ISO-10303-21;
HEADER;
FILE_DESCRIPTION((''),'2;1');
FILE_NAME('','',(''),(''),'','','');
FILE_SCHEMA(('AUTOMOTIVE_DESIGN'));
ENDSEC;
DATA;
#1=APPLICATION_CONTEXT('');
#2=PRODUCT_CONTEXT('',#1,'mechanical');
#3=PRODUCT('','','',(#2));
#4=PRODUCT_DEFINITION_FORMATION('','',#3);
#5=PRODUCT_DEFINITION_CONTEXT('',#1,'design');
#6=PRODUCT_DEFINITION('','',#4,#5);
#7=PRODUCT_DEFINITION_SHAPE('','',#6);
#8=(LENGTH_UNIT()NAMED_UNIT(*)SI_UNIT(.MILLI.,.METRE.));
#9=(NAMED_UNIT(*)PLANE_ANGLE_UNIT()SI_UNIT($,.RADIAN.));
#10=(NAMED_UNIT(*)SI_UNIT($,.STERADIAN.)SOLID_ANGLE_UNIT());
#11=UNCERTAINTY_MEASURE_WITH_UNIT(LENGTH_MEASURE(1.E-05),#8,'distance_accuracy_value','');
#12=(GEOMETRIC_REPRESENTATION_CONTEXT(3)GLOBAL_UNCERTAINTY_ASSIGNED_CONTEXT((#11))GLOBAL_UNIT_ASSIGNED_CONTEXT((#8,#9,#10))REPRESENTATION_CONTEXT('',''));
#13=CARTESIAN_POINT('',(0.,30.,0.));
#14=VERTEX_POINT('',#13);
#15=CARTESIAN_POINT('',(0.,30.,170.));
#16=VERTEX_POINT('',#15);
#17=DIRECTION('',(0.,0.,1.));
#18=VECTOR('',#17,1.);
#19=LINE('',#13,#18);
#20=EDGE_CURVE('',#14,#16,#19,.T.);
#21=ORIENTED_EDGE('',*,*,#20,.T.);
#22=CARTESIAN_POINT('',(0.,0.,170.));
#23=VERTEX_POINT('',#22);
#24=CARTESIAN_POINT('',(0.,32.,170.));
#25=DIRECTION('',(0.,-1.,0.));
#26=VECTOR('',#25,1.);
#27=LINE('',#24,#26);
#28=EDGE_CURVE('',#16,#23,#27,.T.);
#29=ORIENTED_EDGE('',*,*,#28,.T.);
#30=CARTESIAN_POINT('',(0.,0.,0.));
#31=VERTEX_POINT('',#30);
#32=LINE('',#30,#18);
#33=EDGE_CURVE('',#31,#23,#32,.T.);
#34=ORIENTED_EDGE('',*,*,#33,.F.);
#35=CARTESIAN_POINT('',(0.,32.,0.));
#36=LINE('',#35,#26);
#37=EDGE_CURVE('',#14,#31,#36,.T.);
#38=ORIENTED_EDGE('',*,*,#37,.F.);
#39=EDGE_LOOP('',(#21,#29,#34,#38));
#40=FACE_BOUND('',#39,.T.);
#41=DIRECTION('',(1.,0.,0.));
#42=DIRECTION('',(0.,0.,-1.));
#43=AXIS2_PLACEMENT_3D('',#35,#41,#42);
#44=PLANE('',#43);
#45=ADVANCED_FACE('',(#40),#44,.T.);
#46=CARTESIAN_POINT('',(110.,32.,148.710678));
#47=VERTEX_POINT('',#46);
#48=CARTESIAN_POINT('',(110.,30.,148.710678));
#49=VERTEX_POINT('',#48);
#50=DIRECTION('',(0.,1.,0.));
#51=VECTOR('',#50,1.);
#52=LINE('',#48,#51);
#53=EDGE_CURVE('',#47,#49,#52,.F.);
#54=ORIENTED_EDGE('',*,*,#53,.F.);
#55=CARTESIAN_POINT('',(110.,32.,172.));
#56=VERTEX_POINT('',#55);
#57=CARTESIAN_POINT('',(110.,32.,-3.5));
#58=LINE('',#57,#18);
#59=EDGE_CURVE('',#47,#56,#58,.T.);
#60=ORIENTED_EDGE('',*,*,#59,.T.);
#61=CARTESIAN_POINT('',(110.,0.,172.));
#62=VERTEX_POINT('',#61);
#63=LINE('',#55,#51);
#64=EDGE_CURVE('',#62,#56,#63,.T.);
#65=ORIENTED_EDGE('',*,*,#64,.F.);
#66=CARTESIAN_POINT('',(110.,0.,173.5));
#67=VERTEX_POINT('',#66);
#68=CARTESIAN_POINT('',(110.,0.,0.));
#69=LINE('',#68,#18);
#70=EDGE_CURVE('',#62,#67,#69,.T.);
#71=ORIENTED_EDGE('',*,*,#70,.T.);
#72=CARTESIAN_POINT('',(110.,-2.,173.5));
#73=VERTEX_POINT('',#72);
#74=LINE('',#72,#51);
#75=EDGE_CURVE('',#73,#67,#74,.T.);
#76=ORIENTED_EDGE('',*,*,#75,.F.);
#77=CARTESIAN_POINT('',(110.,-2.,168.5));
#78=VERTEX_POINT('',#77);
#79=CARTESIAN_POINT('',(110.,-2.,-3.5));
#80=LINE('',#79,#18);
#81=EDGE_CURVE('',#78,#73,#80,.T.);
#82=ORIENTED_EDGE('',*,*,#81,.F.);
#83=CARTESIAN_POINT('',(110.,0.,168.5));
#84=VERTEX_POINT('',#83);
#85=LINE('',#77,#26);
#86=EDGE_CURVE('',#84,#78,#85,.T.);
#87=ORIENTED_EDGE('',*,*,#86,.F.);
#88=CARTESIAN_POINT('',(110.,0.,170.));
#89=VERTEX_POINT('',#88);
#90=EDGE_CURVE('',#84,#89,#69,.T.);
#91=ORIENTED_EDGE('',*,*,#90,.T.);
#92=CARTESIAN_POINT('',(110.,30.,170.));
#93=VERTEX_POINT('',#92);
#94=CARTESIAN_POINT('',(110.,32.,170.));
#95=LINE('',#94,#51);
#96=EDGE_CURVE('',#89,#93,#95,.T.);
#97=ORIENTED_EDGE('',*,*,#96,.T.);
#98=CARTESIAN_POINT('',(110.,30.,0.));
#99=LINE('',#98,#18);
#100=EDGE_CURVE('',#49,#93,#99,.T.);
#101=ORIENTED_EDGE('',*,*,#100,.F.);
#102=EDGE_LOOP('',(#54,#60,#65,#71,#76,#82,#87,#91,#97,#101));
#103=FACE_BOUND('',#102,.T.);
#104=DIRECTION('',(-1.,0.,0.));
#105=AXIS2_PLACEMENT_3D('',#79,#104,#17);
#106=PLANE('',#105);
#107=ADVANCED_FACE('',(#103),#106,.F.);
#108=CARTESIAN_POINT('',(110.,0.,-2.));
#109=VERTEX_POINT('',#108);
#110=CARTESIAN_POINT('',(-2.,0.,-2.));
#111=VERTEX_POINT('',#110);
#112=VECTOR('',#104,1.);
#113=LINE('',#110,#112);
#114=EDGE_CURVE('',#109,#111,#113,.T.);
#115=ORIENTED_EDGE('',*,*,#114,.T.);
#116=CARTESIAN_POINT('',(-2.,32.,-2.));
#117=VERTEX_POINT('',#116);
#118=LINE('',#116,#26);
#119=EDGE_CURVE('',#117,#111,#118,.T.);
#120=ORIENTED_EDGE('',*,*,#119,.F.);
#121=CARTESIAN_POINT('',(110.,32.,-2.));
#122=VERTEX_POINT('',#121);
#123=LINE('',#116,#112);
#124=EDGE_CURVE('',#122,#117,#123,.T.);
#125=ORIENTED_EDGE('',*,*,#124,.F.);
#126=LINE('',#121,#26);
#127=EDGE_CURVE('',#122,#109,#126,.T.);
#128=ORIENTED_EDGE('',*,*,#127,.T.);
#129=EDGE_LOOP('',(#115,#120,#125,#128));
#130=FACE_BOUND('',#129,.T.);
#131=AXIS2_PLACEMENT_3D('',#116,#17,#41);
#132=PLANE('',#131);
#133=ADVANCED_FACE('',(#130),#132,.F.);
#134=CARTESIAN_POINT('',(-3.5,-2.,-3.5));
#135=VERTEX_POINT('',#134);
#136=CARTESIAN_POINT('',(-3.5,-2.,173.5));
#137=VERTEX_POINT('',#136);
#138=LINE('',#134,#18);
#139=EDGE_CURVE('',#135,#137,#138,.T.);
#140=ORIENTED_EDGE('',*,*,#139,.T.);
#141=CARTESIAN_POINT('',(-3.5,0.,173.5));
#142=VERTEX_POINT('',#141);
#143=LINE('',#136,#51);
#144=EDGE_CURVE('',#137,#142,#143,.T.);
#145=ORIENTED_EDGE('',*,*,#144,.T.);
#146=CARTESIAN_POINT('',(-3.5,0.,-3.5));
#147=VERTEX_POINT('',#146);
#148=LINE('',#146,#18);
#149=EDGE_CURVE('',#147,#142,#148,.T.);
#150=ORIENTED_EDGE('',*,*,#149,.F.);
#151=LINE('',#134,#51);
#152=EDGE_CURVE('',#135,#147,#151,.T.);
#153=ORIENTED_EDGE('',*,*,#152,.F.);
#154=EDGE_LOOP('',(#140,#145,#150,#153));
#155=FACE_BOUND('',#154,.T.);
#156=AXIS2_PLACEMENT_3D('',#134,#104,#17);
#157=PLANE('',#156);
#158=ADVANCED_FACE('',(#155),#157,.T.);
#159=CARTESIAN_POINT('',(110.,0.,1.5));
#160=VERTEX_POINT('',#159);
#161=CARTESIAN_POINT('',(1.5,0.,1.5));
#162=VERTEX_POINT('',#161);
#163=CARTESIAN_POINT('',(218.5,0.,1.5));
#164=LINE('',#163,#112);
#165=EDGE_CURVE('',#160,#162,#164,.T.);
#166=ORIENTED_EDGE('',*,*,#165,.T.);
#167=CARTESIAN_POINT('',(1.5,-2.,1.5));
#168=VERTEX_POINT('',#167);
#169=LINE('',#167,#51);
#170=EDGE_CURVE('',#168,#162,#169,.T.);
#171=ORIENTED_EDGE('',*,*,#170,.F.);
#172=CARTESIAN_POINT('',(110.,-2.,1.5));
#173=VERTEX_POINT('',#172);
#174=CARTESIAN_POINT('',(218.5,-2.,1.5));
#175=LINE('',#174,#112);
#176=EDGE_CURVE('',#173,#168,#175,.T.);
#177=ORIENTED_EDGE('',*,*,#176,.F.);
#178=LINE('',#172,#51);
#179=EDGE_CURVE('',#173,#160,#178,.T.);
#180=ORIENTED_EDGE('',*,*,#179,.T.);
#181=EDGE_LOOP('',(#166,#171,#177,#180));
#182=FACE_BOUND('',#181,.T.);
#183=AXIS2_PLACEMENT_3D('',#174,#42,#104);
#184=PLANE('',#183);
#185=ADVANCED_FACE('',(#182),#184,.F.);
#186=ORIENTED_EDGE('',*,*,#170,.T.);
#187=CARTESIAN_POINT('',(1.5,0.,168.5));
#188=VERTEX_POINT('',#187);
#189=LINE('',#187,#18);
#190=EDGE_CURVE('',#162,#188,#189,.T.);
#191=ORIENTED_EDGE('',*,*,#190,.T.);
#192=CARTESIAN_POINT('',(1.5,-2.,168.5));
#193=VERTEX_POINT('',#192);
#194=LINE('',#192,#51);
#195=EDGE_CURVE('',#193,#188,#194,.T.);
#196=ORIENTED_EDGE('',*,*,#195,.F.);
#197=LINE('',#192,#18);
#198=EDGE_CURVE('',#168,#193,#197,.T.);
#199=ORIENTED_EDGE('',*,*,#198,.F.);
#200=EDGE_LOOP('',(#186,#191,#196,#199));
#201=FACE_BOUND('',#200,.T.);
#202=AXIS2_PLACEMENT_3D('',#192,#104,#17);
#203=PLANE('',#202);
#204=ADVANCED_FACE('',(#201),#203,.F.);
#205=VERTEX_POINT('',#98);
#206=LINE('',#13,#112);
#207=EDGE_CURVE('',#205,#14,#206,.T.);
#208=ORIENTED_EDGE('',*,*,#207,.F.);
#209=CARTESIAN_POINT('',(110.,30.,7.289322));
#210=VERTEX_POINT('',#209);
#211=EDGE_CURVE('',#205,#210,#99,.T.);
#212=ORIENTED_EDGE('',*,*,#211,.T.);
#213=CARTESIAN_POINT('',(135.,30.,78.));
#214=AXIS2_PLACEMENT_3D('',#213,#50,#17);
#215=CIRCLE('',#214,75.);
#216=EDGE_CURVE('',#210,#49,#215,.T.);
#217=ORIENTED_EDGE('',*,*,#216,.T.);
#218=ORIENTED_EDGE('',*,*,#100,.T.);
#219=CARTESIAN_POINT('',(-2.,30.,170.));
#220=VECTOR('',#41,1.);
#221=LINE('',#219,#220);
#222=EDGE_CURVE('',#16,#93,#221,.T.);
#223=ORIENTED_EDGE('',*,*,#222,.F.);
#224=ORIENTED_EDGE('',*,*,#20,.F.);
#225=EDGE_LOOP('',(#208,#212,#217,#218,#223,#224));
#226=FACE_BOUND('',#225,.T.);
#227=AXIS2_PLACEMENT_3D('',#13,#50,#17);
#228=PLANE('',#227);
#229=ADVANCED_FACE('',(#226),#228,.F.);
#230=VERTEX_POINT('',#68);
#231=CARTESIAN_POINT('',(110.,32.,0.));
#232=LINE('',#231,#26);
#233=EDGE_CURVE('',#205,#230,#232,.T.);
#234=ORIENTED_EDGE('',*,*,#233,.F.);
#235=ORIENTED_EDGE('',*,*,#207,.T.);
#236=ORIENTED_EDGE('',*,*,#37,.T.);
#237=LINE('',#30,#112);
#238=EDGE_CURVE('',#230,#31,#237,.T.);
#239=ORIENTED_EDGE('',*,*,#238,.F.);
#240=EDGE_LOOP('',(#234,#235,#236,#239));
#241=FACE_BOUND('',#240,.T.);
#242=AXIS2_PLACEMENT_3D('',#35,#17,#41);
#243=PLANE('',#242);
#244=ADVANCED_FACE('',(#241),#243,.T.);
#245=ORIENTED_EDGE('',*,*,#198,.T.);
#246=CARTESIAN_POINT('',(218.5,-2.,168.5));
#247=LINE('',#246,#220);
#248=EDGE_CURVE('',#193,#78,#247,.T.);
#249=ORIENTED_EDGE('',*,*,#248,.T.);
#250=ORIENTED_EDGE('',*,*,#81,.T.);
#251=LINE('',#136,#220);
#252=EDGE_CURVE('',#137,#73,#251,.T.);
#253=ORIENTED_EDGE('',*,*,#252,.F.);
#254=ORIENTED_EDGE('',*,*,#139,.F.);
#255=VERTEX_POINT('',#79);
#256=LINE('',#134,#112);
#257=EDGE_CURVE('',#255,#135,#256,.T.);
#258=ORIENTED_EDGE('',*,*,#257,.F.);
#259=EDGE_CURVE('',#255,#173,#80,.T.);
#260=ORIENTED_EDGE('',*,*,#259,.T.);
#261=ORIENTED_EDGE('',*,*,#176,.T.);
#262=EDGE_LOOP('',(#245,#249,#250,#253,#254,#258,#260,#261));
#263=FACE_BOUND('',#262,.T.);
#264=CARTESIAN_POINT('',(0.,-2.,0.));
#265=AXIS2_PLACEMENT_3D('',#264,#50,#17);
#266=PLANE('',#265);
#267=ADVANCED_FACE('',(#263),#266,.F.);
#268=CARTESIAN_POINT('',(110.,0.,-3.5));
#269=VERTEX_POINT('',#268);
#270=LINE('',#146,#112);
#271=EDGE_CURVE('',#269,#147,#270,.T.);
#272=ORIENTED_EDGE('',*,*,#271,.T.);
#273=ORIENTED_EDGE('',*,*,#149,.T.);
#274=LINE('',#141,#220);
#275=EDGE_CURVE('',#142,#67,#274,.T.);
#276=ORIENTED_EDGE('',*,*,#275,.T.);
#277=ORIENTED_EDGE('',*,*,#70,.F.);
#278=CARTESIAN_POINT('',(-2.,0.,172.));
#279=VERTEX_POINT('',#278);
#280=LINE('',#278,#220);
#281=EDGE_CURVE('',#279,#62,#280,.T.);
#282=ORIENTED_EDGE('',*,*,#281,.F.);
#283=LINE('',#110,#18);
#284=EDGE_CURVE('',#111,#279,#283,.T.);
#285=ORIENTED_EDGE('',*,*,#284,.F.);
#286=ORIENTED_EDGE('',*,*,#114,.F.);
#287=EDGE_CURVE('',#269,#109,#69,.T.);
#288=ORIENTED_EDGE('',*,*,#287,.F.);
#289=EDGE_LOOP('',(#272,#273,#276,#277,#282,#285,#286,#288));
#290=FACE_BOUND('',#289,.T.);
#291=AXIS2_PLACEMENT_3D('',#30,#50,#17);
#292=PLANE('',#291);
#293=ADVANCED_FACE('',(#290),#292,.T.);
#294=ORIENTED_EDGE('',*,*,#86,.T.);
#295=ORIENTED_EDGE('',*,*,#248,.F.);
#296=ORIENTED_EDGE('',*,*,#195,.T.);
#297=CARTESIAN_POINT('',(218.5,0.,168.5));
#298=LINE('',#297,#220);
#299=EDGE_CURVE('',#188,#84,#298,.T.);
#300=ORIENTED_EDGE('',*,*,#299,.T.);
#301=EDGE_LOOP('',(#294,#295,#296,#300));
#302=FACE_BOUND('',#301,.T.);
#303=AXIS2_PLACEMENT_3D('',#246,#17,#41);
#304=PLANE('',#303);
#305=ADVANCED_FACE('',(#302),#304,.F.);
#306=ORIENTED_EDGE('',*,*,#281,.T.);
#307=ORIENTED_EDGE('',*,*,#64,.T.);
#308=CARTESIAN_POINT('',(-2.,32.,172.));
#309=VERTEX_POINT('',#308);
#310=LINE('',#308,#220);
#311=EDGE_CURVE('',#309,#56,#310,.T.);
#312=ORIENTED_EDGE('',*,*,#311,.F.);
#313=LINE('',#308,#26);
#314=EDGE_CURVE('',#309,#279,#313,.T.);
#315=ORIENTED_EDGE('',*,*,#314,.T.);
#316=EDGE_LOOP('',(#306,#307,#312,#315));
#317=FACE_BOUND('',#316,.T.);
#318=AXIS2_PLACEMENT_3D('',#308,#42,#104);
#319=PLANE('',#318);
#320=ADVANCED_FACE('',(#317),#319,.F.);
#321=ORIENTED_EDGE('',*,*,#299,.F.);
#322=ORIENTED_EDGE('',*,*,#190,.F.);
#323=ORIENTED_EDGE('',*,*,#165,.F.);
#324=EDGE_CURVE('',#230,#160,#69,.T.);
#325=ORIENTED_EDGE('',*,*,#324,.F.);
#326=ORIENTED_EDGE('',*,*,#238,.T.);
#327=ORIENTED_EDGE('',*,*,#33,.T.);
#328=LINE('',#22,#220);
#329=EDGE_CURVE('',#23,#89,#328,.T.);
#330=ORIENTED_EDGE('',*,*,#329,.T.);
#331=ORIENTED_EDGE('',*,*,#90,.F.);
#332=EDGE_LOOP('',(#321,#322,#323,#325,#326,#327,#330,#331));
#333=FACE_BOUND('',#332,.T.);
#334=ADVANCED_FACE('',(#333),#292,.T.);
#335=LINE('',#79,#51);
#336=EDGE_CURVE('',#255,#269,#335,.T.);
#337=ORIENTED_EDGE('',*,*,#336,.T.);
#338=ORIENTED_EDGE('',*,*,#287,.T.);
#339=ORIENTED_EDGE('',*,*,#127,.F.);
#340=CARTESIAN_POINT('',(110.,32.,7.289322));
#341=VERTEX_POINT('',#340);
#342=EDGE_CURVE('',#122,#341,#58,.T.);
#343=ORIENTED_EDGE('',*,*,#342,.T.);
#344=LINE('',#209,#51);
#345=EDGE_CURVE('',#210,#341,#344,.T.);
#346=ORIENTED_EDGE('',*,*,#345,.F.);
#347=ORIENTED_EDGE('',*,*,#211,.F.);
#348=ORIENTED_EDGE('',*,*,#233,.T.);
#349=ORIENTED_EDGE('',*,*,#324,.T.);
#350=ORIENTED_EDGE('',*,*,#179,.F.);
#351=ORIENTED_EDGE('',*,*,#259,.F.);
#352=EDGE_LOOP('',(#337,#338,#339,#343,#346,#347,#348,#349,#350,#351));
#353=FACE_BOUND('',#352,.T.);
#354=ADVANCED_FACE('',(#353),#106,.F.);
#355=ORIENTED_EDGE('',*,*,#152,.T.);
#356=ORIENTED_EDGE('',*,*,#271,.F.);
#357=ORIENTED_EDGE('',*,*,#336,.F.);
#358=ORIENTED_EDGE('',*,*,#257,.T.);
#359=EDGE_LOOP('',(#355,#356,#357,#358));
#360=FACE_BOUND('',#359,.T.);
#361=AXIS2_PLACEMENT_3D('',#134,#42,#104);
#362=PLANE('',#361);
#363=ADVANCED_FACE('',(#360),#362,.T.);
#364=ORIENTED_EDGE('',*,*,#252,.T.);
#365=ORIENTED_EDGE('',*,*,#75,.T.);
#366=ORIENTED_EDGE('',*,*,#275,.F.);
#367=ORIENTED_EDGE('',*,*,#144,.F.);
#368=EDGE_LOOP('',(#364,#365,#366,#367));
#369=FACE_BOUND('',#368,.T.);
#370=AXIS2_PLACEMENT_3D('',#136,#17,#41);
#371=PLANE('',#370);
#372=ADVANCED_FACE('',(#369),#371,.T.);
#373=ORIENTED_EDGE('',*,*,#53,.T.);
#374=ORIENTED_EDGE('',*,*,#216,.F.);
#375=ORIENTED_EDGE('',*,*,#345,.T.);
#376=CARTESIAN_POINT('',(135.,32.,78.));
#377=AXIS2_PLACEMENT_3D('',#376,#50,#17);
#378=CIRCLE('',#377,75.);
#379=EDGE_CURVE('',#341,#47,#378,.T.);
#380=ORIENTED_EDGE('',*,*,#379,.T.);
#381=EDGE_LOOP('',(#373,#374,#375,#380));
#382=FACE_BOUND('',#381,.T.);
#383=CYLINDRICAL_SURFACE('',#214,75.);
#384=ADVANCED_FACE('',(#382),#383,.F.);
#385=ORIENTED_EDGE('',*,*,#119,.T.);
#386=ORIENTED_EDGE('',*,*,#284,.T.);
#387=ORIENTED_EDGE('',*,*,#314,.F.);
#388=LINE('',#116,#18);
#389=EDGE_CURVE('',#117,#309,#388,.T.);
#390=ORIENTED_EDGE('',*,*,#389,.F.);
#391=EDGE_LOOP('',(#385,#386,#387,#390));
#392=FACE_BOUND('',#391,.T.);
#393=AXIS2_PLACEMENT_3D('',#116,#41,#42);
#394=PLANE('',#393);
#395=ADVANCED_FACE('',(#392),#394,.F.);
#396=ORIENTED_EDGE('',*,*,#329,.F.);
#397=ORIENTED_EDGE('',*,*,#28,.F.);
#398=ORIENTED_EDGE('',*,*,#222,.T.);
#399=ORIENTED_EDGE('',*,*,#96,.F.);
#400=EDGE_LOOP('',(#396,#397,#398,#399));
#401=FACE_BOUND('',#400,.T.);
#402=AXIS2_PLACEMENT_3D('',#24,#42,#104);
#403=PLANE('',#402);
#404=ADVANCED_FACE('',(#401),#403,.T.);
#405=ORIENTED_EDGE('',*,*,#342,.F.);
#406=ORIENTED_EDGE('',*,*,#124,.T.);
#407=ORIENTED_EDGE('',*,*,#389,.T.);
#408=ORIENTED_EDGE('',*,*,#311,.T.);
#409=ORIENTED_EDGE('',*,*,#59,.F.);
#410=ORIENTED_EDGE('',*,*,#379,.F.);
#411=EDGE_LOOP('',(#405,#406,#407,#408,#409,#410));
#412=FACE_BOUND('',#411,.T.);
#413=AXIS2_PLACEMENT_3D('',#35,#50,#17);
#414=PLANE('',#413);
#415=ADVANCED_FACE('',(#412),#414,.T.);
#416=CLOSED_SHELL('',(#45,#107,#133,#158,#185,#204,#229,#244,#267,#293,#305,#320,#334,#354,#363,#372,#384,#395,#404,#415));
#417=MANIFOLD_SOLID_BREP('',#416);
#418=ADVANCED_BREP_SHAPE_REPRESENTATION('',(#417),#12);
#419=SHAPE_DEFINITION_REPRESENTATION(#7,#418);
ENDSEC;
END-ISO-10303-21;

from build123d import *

# Parameters (mm, degrees)
SKETCH_1_W          = 224
SKETCH_1_H          = 174
SKETCH_1_W_2        = 220
SKETCH_1_H_2        = 170
EXTRUDE_1_DEPTH     = 32
SKETCH_2_W          = 227
SKETCH_2_H          = 177
SKETCH_2_W_2        = 217
SKETCH_2_H_2        = 167
EXTRUDE_2_DEPTH     = 2
SKETCH_3_W          = 222
SKETCH_3_H          = 172
SKETCH_3_R          = 75
EXTRUDE_3_DEPTH     = 2
SKETCH_4_W          = 113.5
SKETCH_4_H          = 177
CUT_EXTRUDE_1_DEPTH = 285.974560268


with BuildPart() as part:
    # 草图1 → 凸台-拉伸1 (new body)
    with BuildSketch(Plane(origin=(0, 0, 0), x_dir=(1, 0, 0), z_dir=(0, 1, 0))):
        with Locations((110, -85)):
            Rectangle(SKETCH_1_W, SKETCH_1_H)
        with Locations((110, -85)):
            Rectangle(SKETCH_1_W_2, SKETCH_1_H_2, mode=Mode.SUBTRACT)
    extrude(amount=EXTRUDE_1_DEPTH)

    # 草图2 → 凸台-拉伸2 (add)
    with BuildSketch(Plane(origin=(0, 0, 0), x_dir=(1, 0, 0), z_dir=(0, 1, 0))):
        with Locations((110, -85)):
            Rectangle(SKETCH_2_W, SKETCH_2_H)
        with Locations((110, -85)):
            Rectangle(SKETCH_2_W_2, SKETCH_2_H_2, mode=Mode.SUBTRACT)
    extrude(amount=-EXTRUDE_2_DEPTH)

    # 草图3 → 凸台-拉伸3 (add)
    with BuildSketch(Plane(origin=(0, 32, 0), x_dir=(1, 0, 0), z_dir=(0, 1, 0))):
        with Locations((109, -84)):
            Rectangle(SKETCH_3_W, SKETCH_3_H)
        with Locations(Location((135, -78, 0), (0, 0, 270))):
            Circle(SKETCH_3_R, mode=Mode.SUBTRACT)
    extrude(amount=-EXTRUDE_3_DEPTH)

    # 草图4 → 切除-拉伸1 (cut, through all)
    with BuildSketch(Plane(origin=(0, 32, 0), x_dir=(1, 0, 0), z_dir=(0, 1, 0))):
        with Locations((166.75, -85)):
            Rectangle(SKETCH_4_W, SKETCH_4_H)
    extrude(amount=-CUT_EXTRUDE_1_DEPTH, mode=Mode.SUBTRACT)


solid = part.part
